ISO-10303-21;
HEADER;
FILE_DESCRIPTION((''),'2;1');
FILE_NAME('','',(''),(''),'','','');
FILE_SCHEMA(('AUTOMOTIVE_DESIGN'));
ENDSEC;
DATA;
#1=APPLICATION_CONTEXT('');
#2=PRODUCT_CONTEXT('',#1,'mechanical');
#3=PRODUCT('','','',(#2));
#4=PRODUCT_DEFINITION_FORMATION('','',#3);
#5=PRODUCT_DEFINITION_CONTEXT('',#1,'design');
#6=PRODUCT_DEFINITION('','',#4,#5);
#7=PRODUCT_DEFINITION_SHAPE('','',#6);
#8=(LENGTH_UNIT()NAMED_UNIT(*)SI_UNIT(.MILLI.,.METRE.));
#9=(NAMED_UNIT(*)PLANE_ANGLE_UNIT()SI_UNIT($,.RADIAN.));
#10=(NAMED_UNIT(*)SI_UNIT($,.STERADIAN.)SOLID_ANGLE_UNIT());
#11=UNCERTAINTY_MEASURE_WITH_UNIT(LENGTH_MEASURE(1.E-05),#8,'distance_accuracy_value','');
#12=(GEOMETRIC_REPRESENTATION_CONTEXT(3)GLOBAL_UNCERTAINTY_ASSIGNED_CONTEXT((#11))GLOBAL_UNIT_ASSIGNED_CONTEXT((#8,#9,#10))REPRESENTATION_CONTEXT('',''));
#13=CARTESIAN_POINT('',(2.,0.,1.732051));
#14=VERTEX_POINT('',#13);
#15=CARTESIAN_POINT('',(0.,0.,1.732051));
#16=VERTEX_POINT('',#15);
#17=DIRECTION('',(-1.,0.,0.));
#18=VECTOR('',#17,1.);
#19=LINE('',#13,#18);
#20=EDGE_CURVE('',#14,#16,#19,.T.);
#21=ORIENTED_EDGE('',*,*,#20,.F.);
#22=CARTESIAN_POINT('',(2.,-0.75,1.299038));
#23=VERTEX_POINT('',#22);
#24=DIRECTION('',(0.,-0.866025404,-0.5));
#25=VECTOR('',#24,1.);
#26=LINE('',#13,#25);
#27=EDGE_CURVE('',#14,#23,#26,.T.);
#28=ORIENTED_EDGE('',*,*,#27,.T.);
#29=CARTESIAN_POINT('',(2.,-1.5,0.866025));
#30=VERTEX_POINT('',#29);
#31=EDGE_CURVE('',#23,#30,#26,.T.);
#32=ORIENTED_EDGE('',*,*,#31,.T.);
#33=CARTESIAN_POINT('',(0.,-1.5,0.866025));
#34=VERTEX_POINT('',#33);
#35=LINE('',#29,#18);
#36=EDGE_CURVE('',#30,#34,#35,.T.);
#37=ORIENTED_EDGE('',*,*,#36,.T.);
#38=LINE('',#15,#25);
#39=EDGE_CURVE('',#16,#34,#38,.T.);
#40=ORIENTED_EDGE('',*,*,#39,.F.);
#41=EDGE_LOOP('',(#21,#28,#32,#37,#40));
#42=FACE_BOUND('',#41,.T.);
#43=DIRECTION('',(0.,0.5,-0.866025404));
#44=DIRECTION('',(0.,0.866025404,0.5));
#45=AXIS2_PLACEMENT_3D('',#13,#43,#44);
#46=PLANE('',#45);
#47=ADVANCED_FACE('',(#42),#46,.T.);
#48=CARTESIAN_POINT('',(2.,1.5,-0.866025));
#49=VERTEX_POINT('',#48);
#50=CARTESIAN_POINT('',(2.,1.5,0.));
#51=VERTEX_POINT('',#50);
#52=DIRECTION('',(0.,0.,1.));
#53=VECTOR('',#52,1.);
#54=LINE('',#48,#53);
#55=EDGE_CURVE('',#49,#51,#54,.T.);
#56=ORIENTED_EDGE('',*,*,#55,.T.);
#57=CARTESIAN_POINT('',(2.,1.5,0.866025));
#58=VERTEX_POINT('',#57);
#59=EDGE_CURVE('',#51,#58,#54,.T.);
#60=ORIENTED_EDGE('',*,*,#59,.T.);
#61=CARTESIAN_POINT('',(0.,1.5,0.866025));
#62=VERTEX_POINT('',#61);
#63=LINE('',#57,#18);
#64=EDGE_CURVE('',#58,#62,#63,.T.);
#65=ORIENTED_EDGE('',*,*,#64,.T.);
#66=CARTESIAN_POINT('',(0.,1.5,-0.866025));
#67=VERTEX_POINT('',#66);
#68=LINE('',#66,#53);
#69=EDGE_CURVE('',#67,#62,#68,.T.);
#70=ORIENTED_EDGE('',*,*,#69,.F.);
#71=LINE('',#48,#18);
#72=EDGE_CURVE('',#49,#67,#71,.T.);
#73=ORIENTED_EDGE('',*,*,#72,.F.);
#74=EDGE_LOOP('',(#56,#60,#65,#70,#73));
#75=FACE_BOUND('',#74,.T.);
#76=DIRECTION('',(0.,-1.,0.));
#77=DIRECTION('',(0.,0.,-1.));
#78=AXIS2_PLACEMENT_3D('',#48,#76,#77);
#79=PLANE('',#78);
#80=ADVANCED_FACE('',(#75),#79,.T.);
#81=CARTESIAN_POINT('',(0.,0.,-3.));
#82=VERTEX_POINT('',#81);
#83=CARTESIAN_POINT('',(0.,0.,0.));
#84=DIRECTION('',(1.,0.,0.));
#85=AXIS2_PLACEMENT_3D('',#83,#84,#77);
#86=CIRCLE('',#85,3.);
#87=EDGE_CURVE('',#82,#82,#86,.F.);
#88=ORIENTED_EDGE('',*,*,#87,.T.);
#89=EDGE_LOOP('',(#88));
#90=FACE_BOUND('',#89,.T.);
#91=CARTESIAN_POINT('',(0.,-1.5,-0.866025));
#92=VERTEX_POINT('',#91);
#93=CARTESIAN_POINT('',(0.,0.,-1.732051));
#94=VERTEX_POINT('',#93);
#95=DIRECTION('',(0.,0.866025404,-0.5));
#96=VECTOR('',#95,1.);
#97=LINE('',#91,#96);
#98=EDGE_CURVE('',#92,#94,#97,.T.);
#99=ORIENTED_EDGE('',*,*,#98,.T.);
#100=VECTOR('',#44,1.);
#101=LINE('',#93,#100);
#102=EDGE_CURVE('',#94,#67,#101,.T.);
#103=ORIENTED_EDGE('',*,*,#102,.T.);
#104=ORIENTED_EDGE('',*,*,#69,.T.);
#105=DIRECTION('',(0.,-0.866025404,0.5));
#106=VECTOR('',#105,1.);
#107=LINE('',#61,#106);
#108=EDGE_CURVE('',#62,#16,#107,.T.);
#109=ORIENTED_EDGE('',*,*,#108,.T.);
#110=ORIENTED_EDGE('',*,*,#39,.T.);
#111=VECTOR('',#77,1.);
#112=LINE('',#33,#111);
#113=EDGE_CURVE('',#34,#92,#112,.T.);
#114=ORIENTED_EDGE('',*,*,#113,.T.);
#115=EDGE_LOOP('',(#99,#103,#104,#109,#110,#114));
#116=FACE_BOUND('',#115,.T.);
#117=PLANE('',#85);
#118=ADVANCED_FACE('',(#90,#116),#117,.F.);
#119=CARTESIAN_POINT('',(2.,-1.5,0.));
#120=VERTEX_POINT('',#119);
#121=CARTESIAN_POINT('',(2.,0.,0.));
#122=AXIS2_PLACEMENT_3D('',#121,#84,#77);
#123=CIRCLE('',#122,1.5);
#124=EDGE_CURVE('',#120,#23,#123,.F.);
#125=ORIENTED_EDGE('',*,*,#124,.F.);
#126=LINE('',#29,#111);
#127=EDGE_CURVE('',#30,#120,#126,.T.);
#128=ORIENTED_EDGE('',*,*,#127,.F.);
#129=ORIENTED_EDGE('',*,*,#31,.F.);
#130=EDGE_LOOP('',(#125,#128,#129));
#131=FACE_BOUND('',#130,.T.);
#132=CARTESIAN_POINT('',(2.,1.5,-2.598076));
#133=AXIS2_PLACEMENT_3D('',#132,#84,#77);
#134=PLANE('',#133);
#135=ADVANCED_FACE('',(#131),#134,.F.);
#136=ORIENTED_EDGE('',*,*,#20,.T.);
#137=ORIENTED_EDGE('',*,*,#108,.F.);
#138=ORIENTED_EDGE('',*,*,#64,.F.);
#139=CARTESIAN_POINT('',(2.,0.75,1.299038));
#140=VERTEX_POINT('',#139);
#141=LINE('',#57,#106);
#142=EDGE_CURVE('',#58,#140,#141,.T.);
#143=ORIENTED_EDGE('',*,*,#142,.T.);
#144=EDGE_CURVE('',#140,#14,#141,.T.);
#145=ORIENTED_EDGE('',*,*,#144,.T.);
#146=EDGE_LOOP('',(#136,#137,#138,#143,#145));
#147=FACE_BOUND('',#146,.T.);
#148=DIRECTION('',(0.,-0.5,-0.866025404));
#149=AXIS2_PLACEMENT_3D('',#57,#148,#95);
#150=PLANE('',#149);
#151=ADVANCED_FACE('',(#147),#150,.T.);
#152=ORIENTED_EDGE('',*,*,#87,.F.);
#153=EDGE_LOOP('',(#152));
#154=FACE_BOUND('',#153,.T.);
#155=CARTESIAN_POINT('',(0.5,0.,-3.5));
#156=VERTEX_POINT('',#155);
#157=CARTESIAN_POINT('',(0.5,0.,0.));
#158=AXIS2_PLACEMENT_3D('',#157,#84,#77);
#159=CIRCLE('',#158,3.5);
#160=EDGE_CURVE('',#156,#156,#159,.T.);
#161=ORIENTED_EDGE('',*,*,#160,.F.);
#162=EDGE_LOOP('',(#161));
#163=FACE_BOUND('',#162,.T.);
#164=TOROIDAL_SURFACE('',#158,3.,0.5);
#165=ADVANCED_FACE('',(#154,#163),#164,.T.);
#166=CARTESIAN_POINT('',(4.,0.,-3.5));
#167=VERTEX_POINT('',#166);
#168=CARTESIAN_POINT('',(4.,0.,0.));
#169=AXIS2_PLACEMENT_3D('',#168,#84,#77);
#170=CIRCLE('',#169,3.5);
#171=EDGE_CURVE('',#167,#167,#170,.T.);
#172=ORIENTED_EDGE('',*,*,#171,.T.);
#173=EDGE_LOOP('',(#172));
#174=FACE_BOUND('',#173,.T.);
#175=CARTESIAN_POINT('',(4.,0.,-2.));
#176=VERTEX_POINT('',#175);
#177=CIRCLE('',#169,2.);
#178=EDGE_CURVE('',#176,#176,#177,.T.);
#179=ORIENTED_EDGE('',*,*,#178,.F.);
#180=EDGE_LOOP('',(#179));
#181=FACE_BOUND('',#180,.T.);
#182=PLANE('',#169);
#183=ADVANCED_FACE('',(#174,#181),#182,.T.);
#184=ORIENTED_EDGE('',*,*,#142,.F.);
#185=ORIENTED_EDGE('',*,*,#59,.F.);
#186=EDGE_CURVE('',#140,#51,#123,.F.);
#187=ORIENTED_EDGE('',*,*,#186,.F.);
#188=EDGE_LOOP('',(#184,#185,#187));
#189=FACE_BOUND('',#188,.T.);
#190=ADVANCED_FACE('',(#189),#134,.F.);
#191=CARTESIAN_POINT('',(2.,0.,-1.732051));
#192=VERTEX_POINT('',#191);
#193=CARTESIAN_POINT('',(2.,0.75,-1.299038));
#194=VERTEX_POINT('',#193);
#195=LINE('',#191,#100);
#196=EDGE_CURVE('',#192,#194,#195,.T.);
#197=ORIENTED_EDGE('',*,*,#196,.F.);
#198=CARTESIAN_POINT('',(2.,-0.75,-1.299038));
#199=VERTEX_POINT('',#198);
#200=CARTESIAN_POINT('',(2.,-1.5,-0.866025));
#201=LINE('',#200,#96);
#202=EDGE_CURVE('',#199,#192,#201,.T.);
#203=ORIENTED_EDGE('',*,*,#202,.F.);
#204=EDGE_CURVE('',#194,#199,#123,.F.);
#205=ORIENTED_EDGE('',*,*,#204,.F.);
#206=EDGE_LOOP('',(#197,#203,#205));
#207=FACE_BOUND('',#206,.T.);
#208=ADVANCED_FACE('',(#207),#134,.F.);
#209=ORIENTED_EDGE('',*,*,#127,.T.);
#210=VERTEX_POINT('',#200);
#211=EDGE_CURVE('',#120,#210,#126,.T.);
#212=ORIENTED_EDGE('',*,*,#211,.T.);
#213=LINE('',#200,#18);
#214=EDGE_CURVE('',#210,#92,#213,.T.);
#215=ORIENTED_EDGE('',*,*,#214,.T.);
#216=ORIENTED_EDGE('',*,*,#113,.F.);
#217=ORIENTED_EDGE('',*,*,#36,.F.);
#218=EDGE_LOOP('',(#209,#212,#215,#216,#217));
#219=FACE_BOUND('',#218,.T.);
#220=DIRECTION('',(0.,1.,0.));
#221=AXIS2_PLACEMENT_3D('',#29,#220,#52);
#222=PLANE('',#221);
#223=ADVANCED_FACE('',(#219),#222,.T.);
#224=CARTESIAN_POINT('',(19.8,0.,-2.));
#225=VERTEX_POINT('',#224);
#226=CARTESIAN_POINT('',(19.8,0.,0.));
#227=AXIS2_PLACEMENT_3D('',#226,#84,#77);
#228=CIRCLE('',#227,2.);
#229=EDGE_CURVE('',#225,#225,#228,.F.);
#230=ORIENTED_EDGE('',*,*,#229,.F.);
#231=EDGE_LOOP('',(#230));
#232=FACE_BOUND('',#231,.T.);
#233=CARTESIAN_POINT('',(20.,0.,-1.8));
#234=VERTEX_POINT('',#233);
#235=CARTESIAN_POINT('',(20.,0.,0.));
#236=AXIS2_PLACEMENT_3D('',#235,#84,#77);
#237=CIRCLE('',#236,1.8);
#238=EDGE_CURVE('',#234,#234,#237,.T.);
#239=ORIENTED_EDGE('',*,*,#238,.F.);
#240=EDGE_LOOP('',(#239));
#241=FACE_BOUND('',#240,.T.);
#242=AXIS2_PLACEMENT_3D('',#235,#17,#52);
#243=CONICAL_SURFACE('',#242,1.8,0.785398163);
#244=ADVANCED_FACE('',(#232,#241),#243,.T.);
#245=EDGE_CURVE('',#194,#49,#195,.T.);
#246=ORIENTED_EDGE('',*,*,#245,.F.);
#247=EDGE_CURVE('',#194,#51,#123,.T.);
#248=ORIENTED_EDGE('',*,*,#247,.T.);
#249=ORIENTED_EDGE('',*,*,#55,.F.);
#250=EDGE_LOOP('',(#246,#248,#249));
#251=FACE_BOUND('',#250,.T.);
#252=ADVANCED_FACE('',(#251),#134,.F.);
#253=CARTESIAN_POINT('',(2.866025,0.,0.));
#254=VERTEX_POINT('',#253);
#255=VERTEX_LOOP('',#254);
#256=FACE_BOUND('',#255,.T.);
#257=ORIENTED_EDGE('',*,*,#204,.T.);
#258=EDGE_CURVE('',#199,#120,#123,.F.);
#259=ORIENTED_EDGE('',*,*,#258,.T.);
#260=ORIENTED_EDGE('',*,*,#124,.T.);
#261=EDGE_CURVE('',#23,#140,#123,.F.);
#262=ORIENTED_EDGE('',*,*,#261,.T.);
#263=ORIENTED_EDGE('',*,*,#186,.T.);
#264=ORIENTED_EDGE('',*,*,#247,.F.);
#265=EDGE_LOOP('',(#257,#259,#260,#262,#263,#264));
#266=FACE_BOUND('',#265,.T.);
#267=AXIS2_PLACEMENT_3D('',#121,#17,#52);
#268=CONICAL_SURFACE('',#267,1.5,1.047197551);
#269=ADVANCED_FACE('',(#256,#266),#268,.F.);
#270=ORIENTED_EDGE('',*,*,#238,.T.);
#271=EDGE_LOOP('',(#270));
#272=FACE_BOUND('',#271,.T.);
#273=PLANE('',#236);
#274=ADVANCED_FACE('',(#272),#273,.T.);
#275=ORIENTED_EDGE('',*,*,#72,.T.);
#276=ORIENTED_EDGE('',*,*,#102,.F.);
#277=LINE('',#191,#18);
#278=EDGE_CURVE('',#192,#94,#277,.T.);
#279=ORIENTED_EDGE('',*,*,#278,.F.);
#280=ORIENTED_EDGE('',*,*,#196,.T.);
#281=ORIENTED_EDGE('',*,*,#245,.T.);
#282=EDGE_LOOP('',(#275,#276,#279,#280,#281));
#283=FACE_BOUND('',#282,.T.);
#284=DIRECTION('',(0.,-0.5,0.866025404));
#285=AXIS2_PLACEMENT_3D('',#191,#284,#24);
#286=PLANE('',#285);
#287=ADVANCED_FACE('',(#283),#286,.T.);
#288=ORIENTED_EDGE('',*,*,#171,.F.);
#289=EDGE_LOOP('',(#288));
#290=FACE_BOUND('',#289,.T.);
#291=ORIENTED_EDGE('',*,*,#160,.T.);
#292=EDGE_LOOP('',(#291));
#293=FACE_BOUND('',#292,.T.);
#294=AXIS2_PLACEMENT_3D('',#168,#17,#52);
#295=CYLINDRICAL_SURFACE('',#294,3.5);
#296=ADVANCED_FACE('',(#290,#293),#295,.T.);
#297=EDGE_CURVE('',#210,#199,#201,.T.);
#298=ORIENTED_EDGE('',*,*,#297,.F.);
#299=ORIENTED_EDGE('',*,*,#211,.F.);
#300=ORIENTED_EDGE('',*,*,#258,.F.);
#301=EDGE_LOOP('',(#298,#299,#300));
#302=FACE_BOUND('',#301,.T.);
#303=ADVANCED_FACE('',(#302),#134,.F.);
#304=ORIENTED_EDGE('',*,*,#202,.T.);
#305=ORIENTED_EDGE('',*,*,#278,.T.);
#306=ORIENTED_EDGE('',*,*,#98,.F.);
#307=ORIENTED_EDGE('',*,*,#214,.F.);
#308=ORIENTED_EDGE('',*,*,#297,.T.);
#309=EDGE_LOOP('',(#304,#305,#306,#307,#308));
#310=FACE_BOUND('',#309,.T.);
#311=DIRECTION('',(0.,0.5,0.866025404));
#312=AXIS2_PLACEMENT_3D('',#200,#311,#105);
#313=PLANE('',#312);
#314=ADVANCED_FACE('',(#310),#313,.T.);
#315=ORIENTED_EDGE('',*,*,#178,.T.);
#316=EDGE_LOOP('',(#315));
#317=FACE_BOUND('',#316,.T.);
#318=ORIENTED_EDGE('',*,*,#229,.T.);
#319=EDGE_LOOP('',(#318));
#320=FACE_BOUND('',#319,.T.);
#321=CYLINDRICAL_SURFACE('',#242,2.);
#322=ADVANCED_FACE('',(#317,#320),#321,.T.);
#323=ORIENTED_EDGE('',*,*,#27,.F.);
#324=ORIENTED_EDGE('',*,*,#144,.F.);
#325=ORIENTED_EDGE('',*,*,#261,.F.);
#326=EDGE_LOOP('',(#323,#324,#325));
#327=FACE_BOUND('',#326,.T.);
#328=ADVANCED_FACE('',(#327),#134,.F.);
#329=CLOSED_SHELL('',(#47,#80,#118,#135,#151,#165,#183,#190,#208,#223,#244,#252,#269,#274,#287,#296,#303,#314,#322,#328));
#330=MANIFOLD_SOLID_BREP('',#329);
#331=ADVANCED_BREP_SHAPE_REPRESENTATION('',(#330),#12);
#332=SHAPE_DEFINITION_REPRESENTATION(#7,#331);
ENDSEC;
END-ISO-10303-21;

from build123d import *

# Parameters (mm, degrees)
SKETCH1_R           = 3.5
BASEHEAD_DEPTH      = 4
SKETCH2_R           = 2
BASEBODY_DEPTH      = 16
HEXAGONSOCKET_DEPTH = 2
TOPFILLET_R         = 0.5
CHAMFER1_SIZE       = 0.2


with BuildPart() as part:
    # Sketch1 → BaseHead (new body)
    with BuildSketch(Plane(origin=(0, 0, 0), x_dir=(0, 0, -1), z_dir=(1, 0, 0))):
        Circle(SKETCH1_R)
    extrude(amount=BASEHEAD_DEPTH)

    # Sketch2 → BaseBody (add)
    with BuildSketch(Plane(origin=(4, 0, 0), x_dir=(0, 0, -1), z_dir=(1, 0, 0))):
        Circle(SKETCH2_R)
    extrude(amount=BASEBODY_DEPTH)

    # Sketch3 → HexagonSocket (cut)
    with BuildSketch(Plane(origin=(0, 0, 0), x_dir=(0, 0, -1), z_dir=(1, 0, 0))):
        Polygon((1.732050808, 0), (0.866025404, 1.5), (-0.866025404, 1.5), (-1.732050808, 0), (-0.866025404, -1.5), (0.866025404, -1.5), align=None)
    extrude(amount=HEXAGONSOCKET_DEPTH, mode=Mode.SUBTRACT)

    # Sketch4 → Cut-Revolve1 (revolve, cut)
    with BuildSketch(Plane(origin=(-4.19613823, 0.75, 0), x_dir=(-1, 0, 0), z_dir=(0, 0, 1))):
        Polygon((-6.19613823, 2.25), (-7.062163633, 0.75), (-6.19613823, 0.75), align=None)
    revolve(axis=Axis((0.838992387, 0, 0), (-1, 0, 0)), mode=Mode.SUBTRACT)

    # TopFillet
    topfillet_edges = [part.edges().sort_by_distance(p)[0] for p in [
        (0, 0, 3.5),
    ]]
    fillet(topfillet_edges, radius=TOPFILLET_R)

    # Chamfer1
    chamfer1_edges = [part.edges().sort_by_distance(p)[0] for p in [
        (20, 0, 2),
    ]]
    chamfer(chamfer1_edges, length=CHAMFER1_SIZE)


solid = part.part
